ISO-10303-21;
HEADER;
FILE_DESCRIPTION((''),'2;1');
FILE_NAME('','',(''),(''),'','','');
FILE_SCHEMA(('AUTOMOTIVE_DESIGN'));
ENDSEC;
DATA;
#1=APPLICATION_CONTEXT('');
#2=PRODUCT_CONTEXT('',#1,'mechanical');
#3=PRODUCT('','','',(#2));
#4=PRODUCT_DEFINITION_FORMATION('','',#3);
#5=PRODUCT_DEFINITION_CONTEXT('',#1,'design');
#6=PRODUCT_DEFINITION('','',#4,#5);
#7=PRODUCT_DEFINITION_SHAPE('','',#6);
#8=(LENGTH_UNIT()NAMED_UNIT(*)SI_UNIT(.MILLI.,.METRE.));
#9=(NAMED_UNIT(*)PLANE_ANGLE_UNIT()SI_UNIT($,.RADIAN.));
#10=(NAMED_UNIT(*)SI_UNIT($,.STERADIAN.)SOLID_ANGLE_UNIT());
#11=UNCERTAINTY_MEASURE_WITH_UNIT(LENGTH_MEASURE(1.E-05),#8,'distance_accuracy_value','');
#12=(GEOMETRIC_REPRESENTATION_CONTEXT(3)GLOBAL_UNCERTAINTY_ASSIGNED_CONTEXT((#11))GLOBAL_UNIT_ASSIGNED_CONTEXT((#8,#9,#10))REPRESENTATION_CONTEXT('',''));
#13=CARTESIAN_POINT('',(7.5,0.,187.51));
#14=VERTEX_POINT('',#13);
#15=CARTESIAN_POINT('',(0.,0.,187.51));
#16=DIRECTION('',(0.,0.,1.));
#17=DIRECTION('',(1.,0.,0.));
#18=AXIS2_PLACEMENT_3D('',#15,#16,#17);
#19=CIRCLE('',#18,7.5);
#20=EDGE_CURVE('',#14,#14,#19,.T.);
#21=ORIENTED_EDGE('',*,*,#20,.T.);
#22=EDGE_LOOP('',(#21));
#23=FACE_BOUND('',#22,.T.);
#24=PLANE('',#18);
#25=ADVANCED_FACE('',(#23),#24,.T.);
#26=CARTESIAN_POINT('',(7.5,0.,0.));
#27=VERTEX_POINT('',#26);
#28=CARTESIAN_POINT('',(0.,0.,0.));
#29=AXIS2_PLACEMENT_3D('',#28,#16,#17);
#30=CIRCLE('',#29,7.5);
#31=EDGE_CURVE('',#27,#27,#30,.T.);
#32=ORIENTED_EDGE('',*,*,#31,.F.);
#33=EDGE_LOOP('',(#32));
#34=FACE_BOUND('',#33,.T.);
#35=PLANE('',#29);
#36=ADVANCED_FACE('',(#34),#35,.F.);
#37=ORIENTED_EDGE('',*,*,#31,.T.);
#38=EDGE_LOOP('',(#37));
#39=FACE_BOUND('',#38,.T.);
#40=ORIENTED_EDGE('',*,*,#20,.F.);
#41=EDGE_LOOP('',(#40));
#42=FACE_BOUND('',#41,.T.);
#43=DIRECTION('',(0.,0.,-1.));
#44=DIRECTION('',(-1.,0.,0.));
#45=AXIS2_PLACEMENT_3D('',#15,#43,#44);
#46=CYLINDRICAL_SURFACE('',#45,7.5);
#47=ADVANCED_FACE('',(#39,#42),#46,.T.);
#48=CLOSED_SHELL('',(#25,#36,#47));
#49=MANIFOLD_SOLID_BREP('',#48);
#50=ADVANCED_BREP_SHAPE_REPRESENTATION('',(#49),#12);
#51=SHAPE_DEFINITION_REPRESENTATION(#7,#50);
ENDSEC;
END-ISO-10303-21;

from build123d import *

# Parameters (mm, degrees)
CROQUIS1_R              = 7.5
SALIENTE_EXTRUIR1_DEPTH = 187.51


with BuildPart() as part:
    # Croquis1 → Saliente-Extruir1 (new body)
    with BuildSketch(Plane.XY):
        Circle(CROQUIS1_R)
    extrude(amount=SALIENTE_EXTRUIR1_DEPTH)


solid = part.part
